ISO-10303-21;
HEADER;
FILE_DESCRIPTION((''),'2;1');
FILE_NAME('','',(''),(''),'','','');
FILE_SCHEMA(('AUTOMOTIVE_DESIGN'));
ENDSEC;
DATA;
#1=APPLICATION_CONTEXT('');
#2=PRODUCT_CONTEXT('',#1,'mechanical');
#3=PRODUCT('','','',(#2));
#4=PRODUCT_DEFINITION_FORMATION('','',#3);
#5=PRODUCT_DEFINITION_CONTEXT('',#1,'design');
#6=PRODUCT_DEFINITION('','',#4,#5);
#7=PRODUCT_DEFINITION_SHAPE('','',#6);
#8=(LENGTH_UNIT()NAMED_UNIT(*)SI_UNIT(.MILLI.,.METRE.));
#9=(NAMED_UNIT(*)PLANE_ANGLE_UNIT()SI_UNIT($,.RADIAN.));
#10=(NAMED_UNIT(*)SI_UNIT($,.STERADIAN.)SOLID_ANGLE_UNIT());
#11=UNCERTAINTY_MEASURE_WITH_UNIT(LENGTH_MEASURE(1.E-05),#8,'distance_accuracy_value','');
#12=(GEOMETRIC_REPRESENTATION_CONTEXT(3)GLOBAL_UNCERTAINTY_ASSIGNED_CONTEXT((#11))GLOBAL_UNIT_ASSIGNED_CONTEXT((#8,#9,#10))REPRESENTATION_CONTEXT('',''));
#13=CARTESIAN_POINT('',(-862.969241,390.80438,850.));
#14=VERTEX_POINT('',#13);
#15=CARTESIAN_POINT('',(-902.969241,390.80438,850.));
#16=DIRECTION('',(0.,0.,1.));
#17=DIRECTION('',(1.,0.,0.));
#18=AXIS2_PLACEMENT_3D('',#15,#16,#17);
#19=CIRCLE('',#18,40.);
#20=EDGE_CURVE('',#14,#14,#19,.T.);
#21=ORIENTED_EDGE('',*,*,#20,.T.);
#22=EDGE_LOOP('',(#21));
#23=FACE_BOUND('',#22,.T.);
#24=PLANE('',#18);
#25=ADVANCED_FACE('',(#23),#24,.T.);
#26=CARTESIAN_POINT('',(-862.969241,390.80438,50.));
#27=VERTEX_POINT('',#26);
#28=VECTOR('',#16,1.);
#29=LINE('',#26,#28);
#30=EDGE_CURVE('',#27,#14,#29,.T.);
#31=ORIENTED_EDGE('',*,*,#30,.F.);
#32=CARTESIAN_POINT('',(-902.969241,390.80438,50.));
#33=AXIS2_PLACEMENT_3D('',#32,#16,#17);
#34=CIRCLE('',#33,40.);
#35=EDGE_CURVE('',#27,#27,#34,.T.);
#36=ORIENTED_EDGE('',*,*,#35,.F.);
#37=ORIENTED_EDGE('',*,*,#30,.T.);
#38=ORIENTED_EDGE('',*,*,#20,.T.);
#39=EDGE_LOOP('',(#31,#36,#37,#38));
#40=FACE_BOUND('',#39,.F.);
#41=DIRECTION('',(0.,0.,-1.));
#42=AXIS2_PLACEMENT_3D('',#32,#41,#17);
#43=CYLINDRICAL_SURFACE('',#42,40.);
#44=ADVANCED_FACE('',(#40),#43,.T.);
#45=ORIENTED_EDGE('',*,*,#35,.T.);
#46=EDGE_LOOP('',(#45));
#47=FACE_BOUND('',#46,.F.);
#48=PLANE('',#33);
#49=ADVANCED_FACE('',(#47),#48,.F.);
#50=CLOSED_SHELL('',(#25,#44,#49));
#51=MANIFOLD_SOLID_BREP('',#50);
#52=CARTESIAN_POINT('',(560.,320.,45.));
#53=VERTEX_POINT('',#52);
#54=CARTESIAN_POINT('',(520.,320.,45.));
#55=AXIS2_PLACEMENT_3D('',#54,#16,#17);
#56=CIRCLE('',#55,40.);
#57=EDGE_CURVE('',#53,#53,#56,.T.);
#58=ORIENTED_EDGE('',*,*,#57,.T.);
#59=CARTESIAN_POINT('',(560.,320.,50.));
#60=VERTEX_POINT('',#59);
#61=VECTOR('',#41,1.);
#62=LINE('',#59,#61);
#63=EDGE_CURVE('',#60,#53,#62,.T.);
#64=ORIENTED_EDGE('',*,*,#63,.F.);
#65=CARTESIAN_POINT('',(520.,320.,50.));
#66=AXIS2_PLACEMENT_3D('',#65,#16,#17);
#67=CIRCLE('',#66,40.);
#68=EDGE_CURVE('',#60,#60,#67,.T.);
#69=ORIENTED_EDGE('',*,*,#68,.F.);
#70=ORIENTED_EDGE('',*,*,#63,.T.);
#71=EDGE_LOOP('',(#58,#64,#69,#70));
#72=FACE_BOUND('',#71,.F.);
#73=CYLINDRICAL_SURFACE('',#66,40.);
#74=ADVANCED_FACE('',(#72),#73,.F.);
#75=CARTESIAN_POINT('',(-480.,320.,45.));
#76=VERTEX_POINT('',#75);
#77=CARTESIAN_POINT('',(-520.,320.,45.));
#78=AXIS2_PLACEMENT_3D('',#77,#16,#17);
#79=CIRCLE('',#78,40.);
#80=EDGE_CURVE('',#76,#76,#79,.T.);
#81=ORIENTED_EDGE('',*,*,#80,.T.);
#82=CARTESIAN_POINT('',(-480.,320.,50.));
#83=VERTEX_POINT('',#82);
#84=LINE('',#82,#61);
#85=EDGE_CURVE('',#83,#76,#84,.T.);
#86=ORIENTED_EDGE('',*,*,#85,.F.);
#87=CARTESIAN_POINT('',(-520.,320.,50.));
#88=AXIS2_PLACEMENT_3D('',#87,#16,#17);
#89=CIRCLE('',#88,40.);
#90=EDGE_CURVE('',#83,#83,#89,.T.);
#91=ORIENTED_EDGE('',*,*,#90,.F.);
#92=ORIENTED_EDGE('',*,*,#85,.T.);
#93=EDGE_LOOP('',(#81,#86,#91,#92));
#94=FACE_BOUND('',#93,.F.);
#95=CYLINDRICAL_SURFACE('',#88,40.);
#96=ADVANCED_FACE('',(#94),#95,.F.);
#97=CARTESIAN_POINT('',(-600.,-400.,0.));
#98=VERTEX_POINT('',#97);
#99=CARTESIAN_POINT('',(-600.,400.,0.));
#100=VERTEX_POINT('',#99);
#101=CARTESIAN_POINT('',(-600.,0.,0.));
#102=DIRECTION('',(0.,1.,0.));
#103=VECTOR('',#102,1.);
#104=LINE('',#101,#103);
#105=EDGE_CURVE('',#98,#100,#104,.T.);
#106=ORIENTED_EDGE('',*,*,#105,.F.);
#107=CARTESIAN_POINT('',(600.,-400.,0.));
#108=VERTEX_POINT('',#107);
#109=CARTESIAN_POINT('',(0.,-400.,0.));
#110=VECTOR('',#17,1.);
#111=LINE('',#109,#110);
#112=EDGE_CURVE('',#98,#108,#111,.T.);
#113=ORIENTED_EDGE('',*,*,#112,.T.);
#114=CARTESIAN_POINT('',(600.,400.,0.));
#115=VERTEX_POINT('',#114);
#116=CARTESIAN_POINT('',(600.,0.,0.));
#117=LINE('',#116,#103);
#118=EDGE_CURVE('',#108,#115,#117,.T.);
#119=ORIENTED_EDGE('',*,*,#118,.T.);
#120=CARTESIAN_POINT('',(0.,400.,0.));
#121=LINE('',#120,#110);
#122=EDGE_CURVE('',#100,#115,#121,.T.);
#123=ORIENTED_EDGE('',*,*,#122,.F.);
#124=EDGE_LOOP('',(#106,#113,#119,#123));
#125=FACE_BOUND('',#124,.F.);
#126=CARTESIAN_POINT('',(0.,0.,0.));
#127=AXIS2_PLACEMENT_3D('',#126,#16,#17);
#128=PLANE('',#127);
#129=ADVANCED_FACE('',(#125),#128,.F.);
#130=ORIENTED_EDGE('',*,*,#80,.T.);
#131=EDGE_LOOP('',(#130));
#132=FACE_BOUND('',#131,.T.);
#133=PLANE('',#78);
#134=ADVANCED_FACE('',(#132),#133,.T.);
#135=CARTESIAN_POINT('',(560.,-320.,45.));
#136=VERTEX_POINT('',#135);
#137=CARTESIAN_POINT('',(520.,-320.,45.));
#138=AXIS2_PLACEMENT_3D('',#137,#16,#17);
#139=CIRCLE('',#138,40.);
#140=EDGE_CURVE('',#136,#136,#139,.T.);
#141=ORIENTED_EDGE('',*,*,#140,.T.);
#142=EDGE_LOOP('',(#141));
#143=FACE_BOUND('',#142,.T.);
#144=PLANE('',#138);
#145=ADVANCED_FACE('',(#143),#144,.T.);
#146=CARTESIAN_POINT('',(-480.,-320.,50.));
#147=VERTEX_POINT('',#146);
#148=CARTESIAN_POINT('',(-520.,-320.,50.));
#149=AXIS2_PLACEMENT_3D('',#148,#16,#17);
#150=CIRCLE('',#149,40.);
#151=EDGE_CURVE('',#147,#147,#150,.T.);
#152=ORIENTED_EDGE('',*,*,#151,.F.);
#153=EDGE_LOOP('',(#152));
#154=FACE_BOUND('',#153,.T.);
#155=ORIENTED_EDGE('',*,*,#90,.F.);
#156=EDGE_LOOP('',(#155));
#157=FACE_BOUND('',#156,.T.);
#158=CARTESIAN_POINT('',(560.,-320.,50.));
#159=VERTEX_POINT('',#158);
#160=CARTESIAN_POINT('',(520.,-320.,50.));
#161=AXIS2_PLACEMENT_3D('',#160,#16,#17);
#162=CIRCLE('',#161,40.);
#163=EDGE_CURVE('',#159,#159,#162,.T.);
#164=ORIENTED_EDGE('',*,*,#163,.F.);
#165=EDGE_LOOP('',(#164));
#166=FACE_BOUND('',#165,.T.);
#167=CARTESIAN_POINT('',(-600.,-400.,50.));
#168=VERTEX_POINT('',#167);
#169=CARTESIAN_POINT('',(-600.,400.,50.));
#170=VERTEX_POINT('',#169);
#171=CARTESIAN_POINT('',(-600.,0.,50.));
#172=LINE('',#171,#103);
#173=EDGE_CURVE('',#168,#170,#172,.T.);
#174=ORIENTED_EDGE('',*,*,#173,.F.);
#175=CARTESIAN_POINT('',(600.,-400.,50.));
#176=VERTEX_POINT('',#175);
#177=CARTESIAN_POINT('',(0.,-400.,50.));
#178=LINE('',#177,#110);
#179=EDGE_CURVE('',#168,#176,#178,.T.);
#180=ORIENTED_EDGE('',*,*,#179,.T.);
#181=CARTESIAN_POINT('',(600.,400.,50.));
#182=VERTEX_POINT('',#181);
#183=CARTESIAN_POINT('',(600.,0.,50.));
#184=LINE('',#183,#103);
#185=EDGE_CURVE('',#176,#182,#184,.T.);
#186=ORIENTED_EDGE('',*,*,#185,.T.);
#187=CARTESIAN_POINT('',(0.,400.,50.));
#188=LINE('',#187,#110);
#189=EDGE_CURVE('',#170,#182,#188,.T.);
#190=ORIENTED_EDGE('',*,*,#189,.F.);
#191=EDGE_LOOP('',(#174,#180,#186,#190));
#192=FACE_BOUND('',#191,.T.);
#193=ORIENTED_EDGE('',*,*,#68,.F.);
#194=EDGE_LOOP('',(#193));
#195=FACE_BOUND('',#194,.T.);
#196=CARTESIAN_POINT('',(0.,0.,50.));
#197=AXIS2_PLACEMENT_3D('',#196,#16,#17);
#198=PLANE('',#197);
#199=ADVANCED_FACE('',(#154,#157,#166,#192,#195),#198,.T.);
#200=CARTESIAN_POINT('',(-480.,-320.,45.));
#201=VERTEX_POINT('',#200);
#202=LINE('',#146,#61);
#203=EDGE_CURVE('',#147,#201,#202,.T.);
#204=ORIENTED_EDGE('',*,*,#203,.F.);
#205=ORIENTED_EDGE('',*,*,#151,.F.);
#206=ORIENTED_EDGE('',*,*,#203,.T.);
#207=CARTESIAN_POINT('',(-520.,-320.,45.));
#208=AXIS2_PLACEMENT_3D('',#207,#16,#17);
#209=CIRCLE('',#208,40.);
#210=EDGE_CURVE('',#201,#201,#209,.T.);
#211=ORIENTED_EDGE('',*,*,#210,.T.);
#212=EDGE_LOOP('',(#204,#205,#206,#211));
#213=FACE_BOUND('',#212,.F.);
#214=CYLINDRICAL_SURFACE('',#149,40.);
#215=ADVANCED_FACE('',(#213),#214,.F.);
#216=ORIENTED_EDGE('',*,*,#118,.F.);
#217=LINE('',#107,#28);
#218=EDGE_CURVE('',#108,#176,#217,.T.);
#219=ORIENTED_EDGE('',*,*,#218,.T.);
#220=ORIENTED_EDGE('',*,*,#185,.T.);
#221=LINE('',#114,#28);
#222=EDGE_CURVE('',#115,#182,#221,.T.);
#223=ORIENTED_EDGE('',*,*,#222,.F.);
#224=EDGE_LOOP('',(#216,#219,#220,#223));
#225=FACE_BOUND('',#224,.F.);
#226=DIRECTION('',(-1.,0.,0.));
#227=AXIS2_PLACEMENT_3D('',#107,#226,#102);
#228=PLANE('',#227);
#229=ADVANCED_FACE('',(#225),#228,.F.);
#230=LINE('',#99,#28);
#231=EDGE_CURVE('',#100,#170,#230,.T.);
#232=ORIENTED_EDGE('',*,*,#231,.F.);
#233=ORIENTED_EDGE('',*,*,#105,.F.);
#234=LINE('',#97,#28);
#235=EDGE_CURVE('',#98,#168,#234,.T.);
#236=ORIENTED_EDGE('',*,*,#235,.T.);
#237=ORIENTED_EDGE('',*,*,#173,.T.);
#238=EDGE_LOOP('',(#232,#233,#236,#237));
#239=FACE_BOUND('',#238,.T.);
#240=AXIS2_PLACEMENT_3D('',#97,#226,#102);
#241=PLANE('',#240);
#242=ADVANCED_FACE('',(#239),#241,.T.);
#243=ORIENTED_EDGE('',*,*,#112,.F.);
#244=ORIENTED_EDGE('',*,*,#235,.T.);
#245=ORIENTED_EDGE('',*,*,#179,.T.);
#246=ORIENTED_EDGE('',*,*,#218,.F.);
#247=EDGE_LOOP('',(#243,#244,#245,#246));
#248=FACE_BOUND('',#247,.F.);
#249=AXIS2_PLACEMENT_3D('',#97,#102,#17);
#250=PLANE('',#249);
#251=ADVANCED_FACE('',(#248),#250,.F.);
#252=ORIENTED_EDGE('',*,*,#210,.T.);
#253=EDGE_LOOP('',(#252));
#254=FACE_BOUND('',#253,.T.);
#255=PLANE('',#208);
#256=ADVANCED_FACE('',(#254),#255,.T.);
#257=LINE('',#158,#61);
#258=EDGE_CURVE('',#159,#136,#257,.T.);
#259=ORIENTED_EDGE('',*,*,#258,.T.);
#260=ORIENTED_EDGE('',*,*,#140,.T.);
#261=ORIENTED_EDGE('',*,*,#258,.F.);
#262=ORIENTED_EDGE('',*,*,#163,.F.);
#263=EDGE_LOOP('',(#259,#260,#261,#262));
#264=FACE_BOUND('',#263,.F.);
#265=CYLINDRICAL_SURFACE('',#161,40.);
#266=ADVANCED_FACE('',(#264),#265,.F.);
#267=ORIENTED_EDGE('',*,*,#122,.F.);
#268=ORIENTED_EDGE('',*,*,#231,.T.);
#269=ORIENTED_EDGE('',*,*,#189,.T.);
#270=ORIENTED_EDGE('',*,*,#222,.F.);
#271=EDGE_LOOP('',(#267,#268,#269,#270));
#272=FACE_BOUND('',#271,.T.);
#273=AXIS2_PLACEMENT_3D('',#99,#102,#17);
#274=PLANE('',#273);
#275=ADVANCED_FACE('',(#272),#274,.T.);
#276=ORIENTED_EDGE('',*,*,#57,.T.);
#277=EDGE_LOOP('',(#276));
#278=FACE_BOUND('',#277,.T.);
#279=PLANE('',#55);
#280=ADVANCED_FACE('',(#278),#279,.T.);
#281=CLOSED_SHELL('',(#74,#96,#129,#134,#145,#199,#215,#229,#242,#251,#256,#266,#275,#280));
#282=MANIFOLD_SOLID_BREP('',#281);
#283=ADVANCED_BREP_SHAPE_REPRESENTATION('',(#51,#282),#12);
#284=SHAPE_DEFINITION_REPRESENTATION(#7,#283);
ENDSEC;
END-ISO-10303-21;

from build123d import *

# Parameters (mm, degrees)
F0_W     = 1200
F0_H     = 800
F1_DEPTH = 50
F2_R     = 40
F3_DEPTH = 800
F4_R     = 40
F5_DEPTH = 5


with BuildPart() as f1:
    # F0 (on Top) → F1 (new body)
    with BuildSketch(Plane.XY):
        Rectangle(F0_W, F0_H)
    extrude(amount=F1_DEPTH)

    # F4 (on face) → F5 (cut)
    with BuildSketch(Plane.XY.offset(50)):
        with Locations((-520, 320)):
            Circle(F4_R)
        with Locations((-520, -320)):
            Circle(F4_R)
        with Locations((520, 320)):
            Circle(F4_R)
        with Locations((520, -320)):
            Circle(F4_R)
    extrude(amount=-F5_DEPTH, mode=Mode.SUBTRACT)


with BuildPart() as f3:
    # F2 (on face) → F3 (new body)
    with BuildSketch(Plane.XY.offset(50)):
        with Locations((-902.969241, 390.80438)):
            Circle(F2_R)
    extrude(amount=F3_DEPTH)


solid = Compound([f1.part, f3.part])
